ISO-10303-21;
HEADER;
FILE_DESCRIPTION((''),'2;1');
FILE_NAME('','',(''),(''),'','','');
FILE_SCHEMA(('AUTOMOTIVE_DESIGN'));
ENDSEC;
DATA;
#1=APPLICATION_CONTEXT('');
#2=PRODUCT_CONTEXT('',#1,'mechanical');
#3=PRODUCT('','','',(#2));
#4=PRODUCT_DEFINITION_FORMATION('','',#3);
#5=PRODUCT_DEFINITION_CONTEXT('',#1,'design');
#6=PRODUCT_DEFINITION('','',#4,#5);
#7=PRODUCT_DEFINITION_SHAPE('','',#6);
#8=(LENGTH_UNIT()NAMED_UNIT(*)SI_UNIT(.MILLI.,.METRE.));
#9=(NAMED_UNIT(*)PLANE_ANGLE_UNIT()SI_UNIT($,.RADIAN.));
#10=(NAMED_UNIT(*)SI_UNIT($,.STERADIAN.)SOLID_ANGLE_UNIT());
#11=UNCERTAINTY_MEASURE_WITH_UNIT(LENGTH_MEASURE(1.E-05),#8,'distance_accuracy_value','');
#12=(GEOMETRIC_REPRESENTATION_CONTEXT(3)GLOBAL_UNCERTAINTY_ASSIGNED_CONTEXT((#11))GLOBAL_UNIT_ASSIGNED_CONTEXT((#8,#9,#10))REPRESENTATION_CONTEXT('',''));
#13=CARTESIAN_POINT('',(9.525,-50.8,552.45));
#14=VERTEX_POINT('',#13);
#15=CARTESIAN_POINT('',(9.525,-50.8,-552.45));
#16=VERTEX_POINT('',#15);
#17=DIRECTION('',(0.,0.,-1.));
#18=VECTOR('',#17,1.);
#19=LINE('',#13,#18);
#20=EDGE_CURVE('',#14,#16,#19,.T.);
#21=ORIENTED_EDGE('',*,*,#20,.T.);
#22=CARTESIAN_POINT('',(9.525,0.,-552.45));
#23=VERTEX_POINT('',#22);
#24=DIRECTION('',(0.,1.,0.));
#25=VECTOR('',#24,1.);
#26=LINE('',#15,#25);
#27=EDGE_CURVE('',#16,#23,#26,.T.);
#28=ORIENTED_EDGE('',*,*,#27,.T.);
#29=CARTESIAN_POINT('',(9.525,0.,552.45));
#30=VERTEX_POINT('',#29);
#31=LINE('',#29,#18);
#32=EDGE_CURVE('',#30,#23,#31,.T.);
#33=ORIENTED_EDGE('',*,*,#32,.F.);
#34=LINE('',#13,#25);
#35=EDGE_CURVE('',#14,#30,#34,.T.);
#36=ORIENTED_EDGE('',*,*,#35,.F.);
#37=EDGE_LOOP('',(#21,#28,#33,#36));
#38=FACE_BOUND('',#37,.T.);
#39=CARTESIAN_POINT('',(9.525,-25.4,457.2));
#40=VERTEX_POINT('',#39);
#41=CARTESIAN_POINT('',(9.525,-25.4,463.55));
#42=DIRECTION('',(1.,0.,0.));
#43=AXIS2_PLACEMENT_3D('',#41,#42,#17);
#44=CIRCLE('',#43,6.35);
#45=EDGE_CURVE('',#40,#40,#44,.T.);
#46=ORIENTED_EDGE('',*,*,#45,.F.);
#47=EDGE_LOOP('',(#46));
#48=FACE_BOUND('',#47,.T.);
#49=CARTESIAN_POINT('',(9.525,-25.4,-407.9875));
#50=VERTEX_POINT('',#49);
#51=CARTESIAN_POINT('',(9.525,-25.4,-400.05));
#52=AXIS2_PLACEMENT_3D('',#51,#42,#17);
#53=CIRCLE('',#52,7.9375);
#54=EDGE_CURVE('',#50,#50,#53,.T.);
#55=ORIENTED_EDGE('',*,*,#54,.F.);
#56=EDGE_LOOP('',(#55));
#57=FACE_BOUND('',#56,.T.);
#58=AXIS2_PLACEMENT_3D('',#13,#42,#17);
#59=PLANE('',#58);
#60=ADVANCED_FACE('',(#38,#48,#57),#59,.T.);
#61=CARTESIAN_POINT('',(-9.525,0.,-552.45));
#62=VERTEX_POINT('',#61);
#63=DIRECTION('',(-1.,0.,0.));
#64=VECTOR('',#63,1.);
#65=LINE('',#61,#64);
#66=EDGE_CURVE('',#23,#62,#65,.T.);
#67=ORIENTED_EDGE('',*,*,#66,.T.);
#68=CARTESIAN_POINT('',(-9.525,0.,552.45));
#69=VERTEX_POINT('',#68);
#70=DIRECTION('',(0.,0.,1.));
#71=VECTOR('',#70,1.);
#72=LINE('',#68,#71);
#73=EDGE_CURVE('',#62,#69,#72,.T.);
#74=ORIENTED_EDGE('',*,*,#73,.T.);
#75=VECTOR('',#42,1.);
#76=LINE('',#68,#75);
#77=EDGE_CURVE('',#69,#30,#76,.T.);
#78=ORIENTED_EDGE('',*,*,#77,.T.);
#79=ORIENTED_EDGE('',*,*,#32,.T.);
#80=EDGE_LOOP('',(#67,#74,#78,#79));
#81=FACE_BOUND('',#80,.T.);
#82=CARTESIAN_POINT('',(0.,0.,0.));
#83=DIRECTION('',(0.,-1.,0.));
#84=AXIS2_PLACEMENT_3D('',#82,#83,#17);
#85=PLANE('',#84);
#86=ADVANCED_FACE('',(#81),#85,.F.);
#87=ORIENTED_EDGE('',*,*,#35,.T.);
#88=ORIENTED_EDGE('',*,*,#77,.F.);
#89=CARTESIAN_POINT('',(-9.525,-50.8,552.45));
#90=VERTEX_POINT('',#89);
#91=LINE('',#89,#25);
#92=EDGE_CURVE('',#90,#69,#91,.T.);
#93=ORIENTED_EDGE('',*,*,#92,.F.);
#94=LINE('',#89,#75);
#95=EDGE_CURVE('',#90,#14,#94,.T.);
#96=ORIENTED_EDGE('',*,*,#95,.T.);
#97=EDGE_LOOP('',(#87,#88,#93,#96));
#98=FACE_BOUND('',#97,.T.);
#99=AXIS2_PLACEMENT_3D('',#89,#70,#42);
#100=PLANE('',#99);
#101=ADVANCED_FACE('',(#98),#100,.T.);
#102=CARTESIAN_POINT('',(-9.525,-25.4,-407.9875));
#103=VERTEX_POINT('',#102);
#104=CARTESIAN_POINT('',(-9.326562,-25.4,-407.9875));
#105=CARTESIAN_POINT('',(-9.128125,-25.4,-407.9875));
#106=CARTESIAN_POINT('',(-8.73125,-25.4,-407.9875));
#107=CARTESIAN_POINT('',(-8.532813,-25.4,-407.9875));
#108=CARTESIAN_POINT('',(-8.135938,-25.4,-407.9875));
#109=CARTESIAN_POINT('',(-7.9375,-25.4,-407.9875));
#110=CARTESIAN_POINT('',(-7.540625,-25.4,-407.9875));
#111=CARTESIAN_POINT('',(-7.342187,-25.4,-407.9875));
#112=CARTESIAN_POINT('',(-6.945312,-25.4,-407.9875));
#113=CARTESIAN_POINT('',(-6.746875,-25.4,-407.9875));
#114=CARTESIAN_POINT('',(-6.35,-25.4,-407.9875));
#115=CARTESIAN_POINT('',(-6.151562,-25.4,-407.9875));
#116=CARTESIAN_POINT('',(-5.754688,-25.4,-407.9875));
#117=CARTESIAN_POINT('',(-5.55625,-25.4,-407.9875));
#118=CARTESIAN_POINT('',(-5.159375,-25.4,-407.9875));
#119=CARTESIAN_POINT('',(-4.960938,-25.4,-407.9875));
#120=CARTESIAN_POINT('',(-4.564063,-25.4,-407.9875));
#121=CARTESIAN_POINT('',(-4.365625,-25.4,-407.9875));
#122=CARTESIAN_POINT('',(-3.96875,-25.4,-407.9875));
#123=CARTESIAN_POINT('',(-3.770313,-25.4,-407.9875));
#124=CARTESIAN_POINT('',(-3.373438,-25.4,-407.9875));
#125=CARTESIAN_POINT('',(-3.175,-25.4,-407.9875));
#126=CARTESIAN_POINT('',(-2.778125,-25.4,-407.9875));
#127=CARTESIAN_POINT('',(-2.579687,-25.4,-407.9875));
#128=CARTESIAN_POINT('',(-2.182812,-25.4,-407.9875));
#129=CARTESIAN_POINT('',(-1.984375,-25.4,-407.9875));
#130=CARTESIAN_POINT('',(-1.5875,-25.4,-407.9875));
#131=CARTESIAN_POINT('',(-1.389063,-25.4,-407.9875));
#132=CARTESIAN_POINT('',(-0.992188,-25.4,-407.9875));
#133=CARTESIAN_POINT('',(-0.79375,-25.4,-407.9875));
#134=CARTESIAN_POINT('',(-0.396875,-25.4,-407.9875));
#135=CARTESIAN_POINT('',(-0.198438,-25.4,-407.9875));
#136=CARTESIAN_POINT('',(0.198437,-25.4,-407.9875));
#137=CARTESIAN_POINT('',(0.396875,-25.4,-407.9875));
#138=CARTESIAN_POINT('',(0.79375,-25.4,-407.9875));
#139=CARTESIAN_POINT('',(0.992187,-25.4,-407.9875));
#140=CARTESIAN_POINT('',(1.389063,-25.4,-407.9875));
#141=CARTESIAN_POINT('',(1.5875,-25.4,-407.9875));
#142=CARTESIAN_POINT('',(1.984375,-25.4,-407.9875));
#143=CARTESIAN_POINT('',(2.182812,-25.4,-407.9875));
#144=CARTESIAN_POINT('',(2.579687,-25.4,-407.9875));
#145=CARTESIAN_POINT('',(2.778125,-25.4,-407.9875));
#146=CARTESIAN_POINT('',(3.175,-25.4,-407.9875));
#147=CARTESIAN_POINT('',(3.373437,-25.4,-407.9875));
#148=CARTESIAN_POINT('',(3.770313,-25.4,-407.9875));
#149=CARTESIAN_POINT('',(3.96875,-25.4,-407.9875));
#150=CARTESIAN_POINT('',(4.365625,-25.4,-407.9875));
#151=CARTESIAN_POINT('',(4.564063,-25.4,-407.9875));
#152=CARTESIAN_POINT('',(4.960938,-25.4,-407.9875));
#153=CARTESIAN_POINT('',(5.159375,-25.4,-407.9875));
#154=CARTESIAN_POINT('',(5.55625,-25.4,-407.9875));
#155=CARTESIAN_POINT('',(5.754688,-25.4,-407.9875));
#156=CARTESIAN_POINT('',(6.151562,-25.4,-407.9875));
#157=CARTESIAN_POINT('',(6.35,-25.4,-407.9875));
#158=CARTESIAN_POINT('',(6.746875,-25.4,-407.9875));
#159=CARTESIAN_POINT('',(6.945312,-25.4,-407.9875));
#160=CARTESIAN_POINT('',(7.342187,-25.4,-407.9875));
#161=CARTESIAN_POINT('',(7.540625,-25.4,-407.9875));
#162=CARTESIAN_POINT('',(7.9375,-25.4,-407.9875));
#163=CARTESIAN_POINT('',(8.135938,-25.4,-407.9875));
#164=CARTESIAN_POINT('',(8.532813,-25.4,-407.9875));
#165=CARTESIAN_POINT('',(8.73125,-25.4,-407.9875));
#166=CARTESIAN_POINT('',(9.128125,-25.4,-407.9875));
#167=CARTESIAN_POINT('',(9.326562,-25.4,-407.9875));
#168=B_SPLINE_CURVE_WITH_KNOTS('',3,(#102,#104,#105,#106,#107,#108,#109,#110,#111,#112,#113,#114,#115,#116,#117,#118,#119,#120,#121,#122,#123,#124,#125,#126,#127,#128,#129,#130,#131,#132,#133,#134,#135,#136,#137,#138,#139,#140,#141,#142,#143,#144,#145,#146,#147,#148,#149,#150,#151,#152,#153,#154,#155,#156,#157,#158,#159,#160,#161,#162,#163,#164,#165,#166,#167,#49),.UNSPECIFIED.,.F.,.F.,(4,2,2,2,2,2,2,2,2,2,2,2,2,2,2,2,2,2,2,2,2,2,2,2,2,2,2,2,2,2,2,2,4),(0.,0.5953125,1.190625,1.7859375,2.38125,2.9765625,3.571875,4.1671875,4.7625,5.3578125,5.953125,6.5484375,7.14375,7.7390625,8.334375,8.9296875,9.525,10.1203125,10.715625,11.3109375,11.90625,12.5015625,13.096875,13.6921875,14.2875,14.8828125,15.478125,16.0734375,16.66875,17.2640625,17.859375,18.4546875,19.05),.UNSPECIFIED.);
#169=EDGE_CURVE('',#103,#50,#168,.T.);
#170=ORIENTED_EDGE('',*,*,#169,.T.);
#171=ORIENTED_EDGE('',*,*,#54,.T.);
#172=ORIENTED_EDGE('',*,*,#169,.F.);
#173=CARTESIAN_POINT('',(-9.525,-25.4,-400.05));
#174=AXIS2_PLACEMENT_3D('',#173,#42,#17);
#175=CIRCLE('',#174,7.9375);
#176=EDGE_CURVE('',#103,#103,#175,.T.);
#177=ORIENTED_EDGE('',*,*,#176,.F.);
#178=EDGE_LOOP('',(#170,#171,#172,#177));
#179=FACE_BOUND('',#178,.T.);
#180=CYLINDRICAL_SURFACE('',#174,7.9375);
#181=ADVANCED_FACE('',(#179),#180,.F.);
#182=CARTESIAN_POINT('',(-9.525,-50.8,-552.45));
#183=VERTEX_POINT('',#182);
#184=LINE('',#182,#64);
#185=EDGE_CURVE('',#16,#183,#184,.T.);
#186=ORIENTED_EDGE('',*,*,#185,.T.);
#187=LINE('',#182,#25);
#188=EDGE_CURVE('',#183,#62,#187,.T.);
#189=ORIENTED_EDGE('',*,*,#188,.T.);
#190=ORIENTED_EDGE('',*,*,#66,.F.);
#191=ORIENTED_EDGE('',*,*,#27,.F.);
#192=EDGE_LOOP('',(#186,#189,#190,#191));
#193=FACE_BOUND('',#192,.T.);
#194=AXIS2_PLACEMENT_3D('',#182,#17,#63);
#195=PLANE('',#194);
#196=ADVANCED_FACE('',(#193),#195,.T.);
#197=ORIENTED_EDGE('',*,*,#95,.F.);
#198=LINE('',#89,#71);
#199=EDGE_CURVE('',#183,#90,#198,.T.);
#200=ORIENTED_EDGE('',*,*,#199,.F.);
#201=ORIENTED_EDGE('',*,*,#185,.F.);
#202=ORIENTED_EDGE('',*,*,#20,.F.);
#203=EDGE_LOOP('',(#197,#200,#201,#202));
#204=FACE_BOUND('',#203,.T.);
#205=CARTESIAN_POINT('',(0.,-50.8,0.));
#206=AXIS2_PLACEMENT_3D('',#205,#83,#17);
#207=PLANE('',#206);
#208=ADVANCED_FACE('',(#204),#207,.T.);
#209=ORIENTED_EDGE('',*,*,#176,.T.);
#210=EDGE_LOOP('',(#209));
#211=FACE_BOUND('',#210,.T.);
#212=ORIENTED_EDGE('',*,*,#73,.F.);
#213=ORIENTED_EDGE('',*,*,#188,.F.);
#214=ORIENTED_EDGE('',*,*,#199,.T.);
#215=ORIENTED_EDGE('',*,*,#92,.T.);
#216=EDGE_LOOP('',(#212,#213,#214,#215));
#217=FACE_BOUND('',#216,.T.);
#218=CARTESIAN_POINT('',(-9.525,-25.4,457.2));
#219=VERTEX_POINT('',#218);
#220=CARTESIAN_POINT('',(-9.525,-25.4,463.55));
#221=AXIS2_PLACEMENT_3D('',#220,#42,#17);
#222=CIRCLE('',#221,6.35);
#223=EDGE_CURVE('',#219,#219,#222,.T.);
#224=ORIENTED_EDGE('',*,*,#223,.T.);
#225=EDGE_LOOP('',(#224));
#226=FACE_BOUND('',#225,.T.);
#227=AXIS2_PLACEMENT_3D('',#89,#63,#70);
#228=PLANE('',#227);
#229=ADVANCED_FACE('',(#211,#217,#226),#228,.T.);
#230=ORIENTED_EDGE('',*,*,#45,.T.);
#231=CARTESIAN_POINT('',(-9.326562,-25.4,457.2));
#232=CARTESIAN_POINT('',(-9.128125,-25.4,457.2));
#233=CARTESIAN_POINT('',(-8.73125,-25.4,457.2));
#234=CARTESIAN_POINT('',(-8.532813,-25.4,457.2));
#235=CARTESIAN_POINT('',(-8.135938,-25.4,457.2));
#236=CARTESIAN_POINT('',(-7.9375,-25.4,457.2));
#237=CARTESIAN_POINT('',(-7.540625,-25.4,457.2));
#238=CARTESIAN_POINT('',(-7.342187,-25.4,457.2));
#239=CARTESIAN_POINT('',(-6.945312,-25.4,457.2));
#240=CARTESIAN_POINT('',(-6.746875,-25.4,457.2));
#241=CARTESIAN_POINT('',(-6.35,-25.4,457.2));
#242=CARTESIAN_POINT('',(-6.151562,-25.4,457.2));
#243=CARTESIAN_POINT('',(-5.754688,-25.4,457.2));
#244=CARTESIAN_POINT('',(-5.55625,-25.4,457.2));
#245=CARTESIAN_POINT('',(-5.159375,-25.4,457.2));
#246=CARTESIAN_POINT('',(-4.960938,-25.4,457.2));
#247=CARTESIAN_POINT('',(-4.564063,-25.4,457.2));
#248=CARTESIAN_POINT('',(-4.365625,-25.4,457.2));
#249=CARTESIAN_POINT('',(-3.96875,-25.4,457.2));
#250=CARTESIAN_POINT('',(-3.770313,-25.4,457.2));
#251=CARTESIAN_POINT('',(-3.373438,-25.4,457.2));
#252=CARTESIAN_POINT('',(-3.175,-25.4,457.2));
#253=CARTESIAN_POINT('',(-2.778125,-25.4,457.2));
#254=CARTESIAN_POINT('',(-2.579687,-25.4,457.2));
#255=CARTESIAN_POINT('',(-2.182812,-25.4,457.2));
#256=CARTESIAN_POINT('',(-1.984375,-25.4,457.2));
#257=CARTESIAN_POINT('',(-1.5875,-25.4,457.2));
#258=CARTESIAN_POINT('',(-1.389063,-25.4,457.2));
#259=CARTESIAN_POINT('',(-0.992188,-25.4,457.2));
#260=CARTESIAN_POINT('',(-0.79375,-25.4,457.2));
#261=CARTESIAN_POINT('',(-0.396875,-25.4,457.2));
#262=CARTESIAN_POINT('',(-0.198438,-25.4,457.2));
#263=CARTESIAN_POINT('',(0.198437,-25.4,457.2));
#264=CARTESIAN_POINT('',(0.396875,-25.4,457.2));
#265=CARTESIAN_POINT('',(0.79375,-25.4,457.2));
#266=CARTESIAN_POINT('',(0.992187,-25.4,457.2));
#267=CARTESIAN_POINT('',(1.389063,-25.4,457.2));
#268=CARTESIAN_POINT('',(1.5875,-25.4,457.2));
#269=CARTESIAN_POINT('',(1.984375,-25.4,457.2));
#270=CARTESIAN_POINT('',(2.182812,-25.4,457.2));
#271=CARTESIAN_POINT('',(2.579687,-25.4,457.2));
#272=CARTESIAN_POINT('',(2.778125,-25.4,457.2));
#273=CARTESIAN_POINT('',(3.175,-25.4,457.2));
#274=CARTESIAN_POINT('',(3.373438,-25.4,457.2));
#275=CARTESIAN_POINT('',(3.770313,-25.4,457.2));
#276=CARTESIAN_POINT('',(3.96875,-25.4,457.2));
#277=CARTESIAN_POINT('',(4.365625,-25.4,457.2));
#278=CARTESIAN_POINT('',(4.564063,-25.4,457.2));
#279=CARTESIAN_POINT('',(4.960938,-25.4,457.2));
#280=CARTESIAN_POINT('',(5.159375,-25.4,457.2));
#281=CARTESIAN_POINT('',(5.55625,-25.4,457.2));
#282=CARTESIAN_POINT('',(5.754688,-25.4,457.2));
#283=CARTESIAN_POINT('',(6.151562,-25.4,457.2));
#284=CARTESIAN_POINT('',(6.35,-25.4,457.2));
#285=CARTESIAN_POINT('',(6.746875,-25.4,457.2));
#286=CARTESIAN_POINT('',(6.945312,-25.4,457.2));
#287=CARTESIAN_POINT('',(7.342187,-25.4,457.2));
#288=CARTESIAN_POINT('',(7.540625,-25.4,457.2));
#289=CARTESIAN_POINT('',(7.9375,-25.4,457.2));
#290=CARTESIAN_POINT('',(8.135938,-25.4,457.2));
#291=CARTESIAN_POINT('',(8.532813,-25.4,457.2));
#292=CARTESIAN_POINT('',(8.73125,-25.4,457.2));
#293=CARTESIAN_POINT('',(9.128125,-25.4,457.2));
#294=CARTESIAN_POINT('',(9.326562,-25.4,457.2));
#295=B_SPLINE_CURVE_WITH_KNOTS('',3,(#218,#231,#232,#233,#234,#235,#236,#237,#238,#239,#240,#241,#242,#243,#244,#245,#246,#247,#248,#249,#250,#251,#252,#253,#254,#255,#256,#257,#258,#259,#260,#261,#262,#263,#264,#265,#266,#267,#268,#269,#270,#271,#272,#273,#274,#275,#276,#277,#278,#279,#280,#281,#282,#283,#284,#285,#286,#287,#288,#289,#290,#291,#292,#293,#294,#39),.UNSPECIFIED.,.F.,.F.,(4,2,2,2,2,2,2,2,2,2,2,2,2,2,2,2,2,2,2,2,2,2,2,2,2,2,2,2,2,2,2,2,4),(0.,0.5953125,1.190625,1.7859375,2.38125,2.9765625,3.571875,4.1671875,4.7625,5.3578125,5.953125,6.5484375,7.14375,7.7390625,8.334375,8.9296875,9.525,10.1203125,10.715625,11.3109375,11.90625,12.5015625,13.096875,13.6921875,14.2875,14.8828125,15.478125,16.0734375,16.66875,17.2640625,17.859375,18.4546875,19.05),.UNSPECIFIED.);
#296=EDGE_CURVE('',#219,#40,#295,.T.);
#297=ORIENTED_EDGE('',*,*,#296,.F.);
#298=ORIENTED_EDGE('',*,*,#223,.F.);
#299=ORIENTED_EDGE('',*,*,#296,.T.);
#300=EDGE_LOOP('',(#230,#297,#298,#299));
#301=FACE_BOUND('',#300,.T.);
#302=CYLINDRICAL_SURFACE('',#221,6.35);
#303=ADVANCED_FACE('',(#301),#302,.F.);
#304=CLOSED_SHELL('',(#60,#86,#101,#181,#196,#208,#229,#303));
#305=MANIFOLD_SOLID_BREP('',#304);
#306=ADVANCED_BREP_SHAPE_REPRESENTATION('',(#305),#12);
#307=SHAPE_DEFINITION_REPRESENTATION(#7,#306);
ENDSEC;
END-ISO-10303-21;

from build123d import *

# Parameters (mm, degrees)
SKETCH1_W           = 19.05
SKETCH1_H           = 1104.9
BOSS_EXTRUDE1_DEPTH = 50.8
SKETCH2_R           = 7.9375
SKETCH2_R_2         = 6.35
CUT_EXTRUDE1_DEPTH  = 556.107687751


with BuildPart() as part:
    # Sketch1 → Boss-Extrude1 (new body)
    with BuildSketch(Plane(origin=(0, 0, 0), x_dir=(1, 0, 0), z_dir=(0, 1, 0))):
        Rectangle(SKETCH1_W, SKETCH1_H)
    extrude(amount=-BOSS_EXTRUDE1_DEPTH)

    # Sketch2 → Cut-Extrude1 (cut, through all)
    with BuildSketch(Plane(origin=(9.525, 0, 0), x_dir=(0, 0, -1), z_dir=(1, 0, 0))):
        with Locations((400.05, -25.4)):
            Circle(SKETCH2_R)
        with Locations((-463.55, -25.4)):
            Circle(SKETCH2_R_2)
    extrude(amount=-CUT_EXTRUDE1_DEPTH, mode=Mode.SUBTRACT)


solid = part.part
